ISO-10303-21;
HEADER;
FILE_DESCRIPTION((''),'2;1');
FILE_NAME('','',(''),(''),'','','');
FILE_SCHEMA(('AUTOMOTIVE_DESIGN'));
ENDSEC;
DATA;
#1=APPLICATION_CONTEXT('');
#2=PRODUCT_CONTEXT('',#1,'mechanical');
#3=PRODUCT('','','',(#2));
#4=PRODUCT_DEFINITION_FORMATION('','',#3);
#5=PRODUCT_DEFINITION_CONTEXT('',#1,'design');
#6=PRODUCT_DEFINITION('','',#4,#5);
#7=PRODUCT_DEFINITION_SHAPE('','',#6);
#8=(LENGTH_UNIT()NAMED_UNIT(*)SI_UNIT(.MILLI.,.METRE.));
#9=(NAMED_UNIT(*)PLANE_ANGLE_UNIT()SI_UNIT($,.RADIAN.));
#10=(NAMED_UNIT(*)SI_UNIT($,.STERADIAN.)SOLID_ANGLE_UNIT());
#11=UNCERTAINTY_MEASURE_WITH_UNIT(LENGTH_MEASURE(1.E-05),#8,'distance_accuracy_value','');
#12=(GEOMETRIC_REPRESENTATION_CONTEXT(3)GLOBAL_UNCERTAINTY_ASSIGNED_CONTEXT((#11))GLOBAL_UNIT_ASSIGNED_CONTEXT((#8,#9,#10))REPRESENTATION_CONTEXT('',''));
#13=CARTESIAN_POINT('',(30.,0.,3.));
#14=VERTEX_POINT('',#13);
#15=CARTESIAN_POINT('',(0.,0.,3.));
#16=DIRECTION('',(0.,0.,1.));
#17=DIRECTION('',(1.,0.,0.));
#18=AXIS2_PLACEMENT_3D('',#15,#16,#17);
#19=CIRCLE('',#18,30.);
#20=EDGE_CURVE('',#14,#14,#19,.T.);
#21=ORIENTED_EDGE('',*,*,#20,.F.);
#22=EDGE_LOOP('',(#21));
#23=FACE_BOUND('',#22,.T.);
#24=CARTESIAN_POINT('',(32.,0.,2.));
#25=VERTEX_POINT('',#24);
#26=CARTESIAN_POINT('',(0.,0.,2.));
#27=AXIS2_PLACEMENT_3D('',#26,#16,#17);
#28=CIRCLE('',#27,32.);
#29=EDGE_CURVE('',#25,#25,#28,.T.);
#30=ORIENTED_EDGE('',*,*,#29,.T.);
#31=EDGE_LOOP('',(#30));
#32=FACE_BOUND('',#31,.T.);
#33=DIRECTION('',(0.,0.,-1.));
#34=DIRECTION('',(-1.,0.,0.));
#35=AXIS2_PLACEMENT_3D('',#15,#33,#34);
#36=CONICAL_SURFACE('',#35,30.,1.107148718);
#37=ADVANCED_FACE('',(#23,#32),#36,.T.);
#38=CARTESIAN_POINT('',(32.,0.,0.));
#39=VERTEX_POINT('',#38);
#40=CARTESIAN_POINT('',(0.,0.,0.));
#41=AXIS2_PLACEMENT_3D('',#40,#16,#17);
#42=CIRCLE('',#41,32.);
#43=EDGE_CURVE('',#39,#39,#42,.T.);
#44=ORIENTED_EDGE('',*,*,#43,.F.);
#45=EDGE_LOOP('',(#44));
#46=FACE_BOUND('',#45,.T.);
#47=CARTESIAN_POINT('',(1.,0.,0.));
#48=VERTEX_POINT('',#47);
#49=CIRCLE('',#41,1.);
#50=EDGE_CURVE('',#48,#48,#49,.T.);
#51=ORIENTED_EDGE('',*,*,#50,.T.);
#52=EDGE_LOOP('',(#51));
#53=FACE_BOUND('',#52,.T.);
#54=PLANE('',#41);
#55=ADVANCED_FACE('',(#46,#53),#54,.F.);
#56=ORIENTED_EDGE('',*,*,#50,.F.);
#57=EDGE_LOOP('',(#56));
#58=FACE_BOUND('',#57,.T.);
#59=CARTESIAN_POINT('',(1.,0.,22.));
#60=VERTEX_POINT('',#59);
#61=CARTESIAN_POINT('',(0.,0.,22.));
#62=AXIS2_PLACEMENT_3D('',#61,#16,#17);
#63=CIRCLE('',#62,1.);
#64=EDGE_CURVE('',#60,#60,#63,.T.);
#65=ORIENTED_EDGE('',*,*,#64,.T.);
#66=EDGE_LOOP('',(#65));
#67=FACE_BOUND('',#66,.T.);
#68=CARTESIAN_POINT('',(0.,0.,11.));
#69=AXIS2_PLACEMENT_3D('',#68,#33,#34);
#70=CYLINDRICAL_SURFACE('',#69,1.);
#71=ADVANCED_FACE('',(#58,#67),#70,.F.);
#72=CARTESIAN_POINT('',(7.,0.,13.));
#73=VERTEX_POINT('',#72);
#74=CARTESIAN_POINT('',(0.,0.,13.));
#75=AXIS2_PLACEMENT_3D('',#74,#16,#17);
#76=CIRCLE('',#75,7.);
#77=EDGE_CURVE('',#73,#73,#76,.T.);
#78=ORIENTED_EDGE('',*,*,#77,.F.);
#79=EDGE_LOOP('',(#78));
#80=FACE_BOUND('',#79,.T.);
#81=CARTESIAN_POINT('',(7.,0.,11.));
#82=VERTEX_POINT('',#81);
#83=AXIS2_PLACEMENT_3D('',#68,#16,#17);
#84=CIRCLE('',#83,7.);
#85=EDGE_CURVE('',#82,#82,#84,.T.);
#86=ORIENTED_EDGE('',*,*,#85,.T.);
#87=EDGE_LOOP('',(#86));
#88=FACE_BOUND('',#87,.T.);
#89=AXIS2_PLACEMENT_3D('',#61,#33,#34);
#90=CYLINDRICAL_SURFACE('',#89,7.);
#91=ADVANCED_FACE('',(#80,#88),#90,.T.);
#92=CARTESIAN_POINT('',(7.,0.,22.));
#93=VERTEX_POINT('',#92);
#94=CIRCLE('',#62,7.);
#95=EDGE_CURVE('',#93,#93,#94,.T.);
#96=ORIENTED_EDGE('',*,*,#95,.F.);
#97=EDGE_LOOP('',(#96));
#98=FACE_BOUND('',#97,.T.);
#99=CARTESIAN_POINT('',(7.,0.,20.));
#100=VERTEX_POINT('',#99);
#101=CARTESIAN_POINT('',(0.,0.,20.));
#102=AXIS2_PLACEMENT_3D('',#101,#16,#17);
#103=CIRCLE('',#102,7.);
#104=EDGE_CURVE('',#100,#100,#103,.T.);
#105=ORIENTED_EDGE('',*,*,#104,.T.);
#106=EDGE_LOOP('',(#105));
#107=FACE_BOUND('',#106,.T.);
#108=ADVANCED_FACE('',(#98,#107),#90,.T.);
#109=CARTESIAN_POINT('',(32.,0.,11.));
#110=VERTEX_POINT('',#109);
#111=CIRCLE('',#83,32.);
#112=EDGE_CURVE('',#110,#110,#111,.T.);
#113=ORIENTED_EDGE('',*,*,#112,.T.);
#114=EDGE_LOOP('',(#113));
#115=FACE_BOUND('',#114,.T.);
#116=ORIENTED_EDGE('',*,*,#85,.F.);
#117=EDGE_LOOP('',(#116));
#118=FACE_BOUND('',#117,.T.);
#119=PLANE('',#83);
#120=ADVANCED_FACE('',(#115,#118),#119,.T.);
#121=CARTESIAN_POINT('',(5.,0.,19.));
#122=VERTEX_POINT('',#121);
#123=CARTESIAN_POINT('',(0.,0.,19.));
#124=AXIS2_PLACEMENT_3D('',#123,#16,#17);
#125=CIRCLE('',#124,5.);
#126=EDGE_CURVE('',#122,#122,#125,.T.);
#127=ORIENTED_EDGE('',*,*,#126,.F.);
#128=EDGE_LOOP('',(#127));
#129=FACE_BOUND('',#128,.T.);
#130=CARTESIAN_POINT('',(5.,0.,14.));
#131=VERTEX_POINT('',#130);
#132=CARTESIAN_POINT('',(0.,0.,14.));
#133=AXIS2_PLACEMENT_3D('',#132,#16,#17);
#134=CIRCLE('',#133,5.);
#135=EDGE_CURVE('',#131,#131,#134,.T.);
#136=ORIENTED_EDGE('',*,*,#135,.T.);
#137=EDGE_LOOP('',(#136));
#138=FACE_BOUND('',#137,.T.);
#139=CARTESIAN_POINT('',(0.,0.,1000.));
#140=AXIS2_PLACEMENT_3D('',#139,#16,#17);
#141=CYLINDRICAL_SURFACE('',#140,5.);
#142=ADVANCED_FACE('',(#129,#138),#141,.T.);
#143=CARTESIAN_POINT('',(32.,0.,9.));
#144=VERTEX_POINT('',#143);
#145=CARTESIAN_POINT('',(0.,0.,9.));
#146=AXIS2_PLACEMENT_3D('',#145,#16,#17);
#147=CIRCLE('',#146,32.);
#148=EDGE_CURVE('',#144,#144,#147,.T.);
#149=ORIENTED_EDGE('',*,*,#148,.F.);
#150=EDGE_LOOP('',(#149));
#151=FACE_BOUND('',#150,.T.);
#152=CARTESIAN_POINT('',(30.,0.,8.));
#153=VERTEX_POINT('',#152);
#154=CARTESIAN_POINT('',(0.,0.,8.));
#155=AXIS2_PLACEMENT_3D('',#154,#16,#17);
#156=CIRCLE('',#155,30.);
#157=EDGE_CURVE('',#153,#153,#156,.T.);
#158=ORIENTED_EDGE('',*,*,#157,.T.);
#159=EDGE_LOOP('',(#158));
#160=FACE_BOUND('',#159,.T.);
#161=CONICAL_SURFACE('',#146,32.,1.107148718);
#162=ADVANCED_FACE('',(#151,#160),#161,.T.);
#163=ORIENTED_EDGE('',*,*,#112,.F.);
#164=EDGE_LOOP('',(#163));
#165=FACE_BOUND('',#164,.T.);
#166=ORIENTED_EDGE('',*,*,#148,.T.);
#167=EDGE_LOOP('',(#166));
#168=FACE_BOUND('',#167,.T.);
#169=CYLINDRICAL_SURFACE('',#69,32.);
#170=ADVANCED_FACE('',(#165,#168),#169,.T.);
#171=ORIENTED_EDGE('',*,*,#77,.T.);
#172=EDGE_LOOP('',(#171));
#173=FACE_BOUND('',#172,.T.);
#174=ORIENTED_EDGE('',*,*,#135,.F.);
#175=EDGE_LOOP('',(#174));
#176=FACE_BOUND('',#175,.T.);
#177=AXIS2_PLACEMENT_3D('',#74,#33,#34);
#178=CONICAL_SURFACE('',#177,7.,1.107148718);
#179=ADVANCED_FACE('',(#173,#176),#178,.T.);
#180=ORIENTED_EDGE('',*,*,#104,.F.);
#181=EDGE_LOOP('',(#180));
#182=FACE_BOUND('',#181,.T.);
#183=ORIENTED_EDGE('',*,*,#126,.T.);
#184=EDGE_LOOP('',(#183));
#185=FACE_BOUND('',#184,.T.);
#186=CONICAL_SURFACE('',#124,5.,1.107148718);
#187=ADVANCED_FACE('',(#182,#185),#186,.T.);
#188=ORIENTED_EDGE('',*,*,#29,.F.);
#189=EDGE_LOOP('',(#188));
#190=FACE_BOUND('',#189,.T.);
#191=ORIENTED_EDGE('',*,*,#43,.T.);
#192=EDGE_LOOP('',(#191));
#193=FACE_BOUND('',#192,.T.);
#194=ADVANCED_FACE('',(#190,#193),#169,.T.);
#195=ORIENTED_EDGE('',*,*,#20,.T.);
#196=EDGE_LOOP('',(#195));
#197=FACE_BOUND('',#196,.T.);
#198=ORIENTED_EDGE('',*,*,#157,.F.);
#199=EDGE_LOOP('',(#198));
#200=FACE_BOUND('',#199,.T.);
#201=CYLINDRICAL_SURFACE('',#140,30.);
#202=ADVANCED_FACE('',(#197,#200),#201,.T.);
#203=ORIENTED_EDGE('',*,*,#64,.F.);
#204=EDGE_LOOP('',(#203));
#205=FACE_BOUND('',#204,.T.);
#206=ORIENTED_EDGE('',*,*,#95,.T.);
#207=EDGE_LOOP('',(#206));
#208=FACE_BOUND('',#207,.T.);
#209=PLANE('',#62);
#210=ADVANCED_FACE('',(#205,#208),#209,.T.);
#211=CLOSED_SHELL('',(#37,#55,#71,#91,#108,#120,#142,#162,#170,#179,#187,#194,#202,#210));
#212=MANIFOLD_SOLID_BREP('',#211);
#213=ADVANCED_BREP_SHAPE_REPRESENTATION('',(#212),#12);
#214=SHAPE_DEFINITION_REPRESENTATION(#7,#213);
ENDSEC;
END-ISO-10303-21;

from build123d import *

# Parameters (mm, degrees)
SKETCH1_R           = 32
SKETCH1_R_2         = 1
BOSS_EXTRUDE1_DEPTH = 11
SKETCH7_R           = 7
SKETCH7_R_2         = 1
BOSS_EXTRUDE3_DEPTH = 11


with BuildPart() as part:
    # Sketch1 → Boss-Extrude1 (new body)
    with BuildSketch(Plane.XY):
        Circle(SKETCH1_R)
        Circle(SKETCH1_R_2, mode=Mode.SUBTRACT)
    extrude(amount=BOSS_EXTRUDE1_DEPTH)

    # Sketch4 → Cut-Revolve1 (revolve, cut)
    with BuildSketch(Plane(origin=(0, 0, 0), x_dir=(0, 0, -1), z_dir=(1, 0, 0)), mode=Mode.PRIVATE) as cut_revolve1_sk:
        Polygon((-2, 32), (-3, 30), (-8, 30), (-9, 32), align=None)
    revolve(cut_revolve1_sk.sketch.rotate(Axis((0, 0, 1000), (0, 0, -1)), 90), axis=Axis((0, 0, 1000), (0, 0, -1)), mode=Mode.SUBTRACT)

    # Sketch7 → Boss-Extrude3 (add)
    with BuildSketch(Plane.XY.offset(11)):
        Circle(SKETCH7_R)
        Circle(SKETCH7_R_2, mode=Mode.SUBTRACT)
    extrude(amount=BOSS_EXTRUDE3_DEPTH)

    # Sketch8 → Cut-Revolve3 (revolve, cut)
    with BuildSketch(Plane(origin=(0, 0, 0), x_dir=(0, 0, -1), z_dir=(1, 0, 0)), mode=Mode.PRIVATE) as cut_revolve3_sk:
        Polygon((-20, 7), (-13, 7), (-14, 5), (-19, 5), align=None)
    revolve(cut_revolve3_sk.sketch.rotate(Axis((0, 0, 1000), (0, 0, -1)), 90), axis=Axis((0, 0, 1000), (0, 0, -1)), mode=Mode.SUBTRACT)


solid = part.part
